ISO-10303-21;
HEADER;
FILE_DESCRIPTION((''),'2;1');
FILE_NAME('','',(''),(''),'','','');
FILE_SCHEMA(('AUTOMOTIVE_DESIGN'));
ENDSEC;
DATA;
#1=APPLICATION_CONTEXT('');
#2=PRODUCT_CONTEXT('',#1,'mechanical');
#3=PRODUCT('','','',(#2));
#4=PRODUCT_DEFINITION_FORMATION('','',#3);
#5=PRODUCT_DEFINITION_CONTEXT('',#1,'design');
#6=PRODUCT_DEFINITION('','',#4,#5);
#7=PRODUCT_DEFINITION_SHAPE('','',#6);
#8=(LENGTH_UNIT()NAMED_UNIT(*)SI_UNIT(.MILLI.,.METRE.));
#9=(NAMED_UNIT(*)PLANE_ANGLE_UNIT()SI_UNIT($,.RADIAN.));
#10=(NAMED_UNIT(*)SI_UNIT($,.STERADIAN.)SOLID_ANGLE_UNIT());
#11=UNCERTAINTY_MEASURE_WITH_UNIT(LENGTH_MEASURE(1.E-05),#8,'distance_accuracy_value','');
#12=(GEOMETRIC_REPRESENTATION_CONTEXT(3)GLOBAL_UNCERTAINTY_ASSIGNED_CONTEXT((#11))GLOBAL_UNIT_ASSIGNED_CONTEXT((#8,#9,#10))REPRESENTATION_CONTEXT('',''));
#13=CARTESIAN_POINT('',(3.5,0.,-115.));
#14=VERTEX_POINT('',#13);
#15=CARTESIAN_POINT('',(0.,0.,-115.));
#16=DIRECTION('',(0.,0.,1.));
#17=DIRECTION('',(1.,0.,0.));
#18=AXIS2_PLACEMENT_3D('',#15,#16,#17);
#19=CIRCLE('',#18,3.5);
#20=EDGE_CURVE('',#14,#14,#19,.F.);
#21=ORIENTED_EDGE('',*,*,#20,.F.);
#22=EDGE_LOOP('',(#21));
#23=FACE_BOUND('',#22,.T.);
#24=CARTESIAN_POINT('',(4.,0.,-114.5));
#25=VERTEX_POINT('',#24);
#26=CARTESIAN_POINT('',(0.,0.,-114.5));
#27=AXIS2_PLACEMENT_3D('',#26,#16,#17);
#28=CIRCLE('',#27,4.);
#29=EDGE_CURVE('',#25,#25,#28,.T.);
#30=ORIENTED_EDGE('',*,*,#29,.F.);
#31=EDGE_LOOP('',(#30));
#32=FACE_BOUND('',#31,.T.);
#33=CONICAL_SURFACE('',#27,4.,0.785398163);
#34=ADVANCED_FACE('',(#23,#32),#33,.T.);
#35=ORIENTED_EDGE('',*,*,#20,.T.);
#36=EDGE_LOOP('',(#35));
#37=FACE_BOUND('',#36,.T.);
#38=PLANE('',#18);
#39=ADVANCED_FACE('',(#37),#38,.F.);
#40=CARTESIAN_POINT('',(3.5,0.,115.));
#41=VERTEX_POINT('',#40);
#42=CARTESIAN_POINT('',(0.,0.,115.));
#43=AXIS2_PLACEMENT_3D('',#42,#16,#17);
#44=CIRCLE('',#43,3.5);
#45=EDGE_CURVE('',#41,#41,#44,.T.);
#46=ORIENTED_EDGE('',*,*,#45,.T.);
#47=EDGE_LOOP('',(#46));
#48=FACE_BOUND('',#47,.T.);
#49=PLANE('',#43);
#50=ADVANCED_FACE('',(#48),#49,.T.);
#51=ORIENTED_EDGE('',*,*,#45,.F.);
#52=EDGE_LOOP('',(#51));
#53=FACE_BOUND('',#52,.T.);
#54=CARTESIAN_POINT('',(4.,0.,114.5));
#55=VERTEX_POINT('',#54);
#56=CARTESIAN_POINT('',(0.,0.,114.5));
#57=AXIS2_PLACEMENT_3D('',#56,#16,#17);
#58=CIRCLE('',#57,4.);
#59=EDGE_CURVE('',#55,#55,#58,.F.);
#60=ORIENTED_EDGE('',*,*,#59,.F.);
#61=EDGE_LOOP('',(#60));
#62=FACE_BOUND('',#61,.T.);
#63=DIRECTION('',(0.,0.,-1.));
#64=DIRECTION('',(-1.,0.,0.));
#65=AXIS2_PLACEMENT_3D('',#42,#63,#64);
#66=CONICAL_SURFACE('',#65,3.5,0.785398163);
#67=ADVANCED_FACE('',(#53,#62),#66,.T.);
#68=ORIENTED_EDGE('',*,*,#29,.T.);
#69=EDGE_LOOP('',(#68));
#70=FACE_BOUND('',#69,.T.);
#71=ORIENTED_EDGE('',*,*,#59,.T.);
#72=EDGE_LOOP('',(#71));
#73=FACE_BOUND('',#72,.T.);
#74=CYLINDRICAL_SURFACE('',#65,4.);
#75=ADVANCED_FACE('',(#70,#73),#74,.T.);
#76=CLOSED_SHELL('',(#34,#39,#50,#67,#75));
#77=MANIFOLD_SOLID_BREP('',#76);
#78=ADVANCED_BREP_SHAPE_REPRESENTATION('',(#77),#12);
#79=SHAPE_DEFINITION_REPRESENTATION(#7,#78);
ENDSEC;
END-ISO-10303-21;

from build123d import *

# Parameters (mm, degrees)
ESQUISSE1_R        = 4
BOSS_EXTRU_1_DEPTH = 115
CHANFREIN1_SIZE    = 0.5


with BuildPart() as part:
    # Esquisse1 → Boss.-Extru.1 (new, symmetric)
    with BuildSketch(Plane.XY):
        Circle(ESQUISSE1_R)
    extrude(amount=BOSS_EXTRU_1_DEPTH, both=True)

    # Chanfrein1
    chanfrein1_edges = [part.edges().sort_by_distance(p)[0] for p in [
        (-4, 0, -115),
        (-4, 0, 115),
    ]]
    chamfer(chanfrein1_edges, length=CHANFREIN1_SIZE)


solid = part.part
